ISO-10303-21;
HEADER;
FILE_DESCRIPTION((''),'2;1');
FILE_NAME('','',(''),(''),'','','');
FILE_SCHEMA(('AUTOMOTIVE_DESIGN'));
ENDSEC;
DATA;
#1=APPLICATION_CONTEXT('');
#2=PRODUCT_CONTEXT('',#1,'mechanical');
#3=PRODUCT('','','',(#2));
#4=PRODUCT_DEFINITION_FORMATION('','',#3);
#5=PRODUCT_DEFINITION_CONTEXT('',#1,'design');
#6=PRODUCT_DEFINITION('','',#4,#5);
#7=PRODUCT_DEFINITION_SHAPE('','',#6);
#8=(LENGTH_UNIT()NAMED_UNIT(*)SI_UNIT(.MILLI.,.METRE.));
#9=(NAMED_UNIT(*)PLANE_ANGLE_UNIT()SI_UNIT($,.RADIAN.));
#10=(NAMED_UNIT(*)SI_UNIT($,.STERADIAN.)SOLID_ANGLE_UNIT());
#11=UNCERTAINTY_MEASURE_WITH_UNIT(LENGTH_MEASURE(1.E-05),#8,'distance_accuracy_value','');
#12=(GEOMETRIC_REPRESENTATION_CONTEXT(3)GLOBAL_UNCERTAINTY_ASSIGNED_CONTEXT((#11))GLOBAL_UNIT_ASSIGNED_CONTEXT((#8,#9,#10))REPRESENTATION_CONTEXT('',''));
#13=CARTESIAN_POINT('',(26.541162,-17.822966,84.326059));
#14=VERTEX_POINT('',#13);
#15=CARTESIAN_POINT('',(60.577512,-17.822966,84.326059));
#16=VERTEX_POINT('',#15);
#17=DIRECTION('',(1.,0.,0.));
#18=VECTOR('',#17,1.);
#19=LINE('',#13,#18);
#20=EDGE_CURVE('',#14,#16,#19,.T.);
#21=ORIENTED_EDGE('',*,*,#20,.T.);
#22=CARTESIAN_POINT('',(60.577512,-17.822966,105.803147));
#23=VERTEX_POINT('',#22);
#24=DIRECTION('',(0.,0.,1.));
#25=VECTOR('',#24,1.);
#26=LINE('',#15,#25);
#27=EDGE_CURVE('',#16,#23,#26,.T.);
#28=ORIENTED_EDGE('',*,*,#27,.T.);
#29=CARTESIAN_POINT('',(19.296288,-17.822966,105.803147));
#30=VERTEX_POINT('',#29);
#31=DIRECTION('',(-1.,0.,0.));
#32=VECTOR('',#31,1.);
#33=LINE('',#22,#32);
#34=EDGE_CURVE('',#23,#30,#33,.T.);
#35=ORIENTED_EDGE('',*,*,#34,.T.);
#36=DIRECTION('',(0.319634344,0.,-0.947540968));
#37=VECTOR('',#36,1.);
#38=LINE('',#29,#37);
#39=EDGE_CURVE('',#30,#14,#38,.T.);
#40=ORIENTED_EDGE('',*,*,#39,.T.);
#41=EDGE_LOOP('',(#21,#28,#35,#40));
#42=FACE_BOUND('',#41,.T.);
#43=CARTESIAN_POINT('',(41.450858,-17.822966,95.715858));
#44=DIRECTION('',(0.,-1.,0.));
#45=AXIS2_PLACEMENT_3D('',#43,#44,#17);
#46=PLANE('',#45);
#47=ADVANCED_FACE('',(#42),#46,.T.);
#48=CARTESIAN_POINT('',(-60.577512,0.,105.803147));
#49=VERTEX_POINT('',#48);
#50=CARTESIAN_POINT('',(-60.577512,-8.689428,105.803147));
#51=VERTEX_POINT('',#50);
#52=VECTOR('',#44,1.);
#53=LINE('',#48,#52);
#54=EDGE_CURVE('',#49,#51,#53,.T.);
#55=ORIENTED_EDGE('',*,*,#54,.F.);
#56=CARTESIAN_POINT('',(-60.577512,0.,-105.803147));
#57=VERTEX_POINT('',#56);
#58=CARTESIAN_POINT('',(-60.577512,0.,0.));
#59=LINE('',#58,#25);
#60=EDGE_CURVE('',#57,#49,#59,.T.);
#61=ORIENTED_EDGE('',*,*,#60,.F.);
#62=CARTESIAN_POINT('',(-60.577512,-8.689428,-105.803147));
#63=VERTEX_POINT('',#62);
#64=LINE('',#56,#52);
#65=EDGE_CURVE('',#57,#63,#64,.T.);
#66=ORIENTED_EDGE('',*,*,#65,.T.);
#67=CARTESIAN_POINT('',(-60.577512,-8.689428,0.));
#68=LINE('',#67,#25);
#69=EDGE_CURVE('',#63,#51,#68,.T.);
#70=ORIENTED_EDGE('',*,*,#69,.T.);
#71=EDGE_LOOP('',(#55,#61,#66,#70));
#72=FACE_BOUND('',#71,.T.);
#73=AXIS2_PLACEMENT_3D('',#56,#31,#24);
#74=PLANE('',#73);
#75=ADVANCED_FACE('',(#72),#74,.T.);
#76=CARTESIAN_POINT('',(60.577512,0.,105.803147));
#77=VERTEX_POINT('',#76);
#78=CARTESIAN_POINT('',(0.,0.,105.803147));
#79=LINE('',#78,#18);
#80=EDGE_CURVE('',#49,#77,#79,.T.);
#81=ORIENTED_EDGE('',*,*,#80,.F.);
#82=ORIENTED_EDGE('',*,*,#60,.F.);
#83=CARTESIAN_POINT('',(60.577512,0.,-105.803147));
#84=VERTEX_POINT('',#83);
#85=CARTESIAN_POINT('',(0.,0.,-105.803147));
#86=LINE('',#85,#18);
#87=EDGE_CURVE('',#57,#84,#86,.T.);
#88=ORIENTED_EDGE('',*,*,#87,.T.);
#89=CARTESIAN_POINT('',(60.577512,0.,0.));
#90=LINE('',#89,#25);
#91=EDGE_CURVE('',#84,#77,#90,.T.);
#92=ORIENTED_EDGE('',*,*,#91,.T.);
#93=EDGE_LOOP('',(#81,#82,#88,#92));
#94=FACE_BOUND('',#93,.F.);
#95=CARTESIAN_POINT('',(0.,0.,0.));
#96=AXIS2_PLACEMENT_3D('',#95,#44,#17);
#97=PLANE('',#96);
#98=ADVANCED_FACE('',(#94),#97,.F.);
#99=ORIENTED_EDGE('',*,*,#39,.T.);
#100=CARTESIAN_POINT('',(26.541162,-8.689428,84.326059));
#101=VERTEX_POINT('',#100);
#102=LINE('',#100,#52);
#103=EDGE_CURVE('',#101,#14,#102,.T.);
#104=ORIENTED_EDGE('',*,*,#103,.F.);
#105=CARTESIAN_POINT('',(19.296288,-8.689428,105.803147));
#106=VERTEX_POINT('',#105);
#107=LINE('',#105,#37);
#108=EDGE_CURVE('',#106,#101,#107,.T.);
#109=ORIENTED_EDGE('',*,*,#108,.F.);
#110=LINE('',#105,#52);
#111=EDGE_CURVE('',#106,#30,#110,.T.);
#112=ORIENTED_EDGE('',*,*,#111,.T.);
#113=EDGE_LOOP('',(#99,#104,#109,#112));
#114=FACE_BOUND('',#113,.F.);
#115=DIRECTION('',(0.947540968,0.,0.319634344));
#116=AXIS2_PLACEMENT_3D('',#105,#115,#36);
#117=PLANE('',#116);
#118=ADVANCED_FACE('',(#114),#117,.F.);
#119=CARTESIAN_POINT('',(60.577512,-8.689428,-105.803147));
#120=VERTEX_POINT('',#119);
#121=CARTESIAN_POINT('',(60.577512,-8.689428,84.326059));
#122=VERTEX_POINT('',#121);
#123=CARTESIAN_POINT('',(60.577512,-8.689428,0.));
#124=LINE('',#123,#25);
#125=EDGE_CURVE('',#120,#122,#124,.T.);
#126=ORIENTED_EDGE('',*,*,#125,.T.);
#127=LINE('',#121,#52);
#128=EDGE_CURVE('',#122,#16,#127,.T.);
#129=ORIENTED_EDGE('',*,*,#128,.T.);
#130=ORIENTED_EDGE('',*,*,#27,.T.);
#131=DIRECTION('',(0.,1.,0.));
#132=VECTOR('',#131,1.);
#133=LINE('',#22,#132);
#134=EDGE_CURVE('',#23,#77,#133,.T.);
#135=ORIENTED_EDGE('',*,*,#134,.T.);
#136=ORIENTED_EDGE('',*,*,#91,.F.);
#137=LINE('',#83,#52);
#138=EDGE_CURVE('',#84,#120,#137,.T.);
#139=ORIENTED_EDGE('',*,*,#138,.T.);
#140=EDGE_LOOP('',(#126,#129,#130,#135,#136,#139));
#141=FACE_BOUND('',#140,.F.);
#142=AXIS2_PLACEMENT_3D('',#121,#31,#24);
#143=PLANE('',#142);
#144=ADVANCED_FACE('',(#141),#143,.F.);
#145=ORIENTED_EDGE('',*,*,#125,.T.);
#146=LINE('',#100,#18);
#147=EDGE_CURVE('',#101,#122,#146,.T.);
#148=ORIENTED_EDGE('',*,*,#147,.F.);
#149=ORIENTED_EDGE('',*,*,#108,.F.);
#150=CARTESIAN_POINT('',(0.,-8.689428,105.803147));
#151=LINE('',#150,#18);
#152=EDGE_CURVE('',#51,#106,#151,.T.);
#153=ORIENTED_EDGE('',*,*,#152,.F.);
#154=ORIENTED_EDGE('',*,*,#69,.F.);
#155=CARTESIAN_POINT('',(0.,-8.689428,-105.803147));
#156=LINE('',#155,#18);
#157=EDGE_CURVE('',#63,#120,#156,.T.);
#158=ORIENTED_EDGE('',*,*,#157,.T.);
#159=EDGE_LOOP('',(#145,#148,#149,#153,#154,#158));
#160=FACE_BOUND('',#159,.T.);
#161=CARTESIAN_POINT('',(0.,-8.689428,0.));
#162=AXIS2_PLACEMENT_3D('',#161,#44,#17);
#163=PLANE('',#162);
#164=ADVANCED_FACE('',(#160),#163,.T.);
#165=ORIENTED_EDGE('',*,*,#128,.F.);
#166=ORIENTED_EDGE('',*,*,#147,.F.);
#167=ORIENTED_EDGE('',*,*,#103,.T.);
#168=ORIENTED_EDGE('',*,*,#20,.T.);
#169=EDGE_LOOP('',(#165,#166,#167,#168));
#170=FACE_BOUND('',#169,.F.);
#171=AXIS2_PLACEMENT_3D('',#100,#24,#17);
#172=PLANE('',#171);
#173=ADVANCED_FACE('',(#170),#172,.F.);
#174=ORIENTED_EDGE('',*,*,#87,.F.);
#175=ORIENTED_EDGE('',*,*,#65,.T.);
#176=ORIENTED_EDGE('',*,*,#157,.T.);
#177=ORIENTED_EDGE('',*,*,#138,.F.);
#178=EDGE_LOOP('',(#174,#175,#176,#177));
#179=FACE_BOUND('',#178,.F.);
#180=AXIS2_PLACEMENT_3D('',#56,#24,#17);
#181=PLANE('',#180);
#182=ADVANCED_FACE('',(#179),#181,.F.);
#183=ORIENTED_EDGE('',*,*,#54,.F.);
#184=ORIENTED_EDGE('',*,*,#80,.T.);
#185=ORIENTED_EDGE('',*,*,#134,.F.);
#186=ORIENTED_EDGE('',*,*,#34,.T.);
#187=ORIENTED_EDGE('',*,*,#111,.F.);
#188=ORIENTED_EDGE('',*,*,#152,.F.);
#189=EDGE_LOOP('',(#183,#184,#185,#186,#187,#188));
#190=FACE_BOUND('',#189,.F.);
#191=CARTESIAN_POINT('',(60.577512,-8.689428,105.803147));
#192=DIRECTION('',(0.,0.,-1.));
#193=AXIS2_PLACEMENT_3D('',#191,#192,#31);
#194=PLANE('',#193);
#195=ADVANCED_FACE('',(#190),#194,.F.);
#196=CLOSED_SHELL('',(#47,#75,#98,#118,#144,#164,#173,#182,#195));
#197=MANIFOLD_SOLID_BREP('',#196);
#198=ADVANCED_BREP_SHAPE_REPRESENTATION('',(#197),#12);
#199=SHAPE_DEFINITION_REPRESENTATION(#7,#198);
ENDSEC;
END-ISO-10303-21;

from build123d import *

# Parameters (mm, degrees)
F1_W     = 121.155024
F1_H     = 211.606294
F2_DEPTH = 8.689428
F4_DEPTH = 9.133538


with BuildPart() as f2:
    # F1 (on face) → F2 (new body)
    with BuildSketch(Plane.XZ):
        Rectangle(F1_W, F1_H)
    extrude(amount=F2_DEPTH)

    # F3 (on face) → F4 (join)
    with BuildSketch(Plane.XZ.offset(8.689428)):
        Polygon((60.577512, 105.803147), (19.296288, 105.803147), (26.541162, 84.326059), (60.577512, 84.326059), align=None)
    extrude(amount=F4_DEPTH)


solid = f2.part
